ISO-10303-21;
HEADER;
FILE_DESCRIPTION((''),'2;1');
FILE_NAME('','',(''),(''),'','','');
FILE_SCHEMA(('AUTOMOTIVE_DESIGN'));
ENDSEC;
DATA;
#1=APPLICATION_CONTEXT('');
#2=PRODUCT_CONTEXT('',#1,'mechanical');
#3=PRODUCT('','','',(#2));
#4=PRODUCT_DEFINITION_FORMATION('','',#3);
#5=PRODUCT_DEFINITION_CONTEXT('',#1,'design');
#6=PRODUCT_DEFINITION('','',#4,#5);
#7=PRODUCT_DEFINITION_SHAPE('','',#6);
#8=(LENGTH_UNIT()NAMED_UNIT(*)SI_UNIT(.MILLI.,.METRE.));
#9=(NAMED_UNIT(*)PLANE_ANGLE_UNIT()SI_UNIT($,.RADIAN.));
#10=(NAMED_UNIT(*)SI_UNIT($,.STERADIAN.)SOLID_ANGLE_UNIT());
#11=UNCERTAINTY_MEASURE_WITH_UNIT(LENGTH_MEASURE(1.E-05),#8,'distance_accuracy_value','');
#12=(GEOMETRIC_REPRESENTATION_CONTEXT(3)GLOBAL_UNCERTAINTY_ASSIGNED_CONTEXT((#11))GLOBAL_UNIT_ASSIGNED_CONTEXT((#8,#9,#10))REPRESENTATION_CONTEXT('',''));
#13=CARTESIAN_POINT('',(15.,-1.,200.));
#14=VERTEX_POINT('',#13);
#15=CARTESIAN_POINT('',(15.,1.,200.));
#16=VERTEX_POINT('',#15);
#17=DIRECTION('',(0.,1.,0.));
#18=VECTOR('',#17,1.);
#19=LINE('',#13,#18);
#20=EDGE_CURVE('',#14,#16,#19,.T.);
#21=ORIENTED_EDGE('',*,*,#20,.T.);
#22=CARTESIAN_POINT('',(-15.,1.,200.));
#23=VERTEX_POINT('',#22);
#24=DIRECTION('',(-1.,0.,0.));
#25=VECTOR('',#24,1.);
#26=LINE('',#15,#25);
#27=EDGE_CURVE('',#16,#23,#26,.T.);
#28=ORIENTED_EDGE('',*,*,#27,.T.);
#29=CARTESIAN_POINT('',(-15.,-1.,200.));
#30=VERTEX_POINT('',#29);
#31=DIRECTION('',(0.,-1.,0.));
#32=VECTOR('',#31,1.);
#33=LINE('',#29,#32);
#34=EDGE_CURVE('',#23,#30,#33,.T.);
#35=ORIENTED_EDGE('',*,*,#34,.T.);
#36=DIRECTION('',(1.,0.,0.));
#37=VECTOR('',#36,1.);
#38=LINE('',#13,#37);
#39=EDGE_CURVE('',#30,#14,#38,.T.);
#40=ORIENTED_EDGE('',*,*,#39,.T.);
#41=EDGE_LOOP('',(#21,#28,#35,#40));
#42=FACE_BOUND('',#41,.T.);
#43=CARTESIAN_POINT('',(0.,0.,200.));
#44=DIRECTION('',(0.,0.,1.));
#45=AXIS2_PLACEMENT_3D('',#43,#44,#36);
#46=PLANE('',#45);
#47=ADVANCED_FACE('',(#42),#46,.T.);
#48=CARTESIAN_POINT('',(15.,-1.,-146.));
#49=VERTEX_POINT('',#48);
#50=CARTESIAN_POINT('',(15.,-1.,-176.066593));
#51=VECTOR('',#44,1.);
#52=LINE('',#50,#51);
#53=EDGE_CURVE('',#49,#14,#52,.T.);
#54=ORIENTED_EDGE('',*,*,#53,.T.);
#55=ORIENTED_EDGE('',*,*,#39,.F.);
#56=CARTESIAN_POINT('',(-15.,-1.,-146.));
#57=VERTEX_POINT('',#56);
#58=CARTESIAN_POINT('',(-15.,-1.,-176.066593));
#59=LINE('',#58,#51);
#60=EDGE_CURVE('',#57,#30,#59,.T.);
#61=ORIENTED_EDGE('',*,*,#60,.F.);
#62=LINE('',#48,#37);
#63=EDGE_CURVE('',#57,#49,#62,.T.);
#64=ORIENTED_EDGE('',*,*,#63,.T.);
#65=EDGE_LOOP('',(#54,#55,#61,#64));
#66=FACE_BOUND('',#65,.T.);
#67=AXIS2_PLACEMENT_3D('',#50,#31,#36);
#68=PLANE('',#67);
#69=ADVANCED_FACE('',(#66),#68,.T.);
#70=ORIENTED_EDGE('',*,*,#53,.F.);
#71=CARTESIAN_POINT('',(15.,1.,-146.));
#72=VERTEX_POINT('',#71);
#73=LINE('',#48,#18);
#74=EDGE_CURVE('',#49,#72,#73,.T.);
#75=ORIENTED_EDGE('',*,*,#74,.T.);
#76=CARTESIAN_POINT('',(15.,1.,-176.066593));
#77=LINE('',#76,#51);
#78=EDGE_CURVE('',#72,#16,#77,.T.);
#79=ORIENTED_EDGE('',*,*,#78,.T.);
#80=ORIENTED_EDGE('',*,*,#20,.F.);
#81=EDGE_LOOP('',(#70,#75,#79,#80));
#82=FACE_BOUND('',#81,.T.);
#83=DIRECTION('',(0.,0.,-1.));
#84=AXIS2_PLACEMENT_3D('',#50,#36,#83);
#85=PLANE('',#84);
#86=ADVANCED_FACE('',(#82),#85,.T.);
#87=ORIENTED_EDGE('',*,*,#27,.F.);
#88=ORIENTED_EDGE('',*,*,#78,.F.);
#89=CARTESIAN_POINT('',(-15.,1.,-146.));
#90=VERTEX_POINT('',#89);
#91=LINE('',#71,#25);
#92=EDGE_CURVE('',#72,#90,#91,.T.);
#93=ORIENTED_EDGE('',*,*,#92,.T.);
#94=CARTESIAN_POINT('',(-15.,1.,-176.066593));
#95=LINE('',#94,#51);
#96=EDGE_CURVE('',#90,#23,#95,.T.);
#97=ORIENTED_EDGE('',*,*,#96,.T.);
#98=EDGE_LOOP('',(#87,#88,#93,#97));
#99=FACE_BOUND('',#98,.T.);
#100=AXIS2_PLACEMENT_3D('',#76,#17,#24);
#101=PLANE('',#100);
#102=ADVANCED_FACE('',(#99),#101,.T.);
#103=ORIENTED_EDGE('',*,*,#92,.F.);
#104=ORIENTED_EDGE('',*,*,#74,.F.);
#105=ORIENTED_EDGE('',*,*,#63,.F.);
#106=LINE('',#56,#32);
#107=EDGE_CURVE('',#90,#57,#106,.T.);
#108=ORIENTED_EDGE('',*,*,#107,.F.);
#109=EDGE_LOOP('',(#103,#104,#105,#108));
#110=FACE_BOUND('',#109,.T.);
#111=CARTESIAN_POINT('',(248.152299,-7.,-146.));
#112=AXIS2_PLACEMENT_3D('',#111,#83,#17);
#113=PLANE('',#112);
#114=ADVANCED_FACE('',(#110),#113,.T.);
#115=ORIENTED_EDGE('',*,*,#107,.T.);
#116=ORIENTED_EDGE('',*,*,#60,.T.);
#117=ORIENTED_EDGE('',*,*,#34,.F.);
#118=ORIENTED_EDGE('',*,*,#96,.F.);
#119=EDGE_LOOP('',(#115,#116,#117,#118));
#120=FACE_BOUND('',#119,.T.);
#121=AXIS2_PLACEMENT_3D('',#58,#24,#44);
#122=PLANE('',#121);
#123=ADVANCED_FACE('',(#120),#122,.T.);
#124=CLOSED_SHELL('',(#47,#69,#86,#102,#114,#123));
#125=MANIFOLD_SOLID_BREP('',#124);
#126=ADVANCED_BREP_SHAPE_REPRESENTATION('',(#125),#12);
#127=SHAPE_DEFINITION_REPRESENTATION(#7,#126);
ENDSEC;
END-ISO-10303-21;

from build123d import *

# Parameters (mm, degrees)
BOSS_EXTRUDE1_DEPTH      = 200
BOSS_EXTRUDE1_DEPTH_BACK = 146
SKETCH1_W                = 30
SKETCH1_H                = 2


with BuildPart() as part:
    # Sketch1 → Boss-Extrude1 (new, two sides: drawn at the far end of the back side and taken through both)
    with BuildSketch(Plane.XY.offset(-BOSS_EXTRUDE1_DEPTH_BACK)):
        Rectangle(SKETCH1_W, SKETCH1_H)
    extrude(amount=BOSS_EXTRUDE1_DEPTH + BOSS_EXTRUDE1_DEPTH_BACK)


solid = part.part
